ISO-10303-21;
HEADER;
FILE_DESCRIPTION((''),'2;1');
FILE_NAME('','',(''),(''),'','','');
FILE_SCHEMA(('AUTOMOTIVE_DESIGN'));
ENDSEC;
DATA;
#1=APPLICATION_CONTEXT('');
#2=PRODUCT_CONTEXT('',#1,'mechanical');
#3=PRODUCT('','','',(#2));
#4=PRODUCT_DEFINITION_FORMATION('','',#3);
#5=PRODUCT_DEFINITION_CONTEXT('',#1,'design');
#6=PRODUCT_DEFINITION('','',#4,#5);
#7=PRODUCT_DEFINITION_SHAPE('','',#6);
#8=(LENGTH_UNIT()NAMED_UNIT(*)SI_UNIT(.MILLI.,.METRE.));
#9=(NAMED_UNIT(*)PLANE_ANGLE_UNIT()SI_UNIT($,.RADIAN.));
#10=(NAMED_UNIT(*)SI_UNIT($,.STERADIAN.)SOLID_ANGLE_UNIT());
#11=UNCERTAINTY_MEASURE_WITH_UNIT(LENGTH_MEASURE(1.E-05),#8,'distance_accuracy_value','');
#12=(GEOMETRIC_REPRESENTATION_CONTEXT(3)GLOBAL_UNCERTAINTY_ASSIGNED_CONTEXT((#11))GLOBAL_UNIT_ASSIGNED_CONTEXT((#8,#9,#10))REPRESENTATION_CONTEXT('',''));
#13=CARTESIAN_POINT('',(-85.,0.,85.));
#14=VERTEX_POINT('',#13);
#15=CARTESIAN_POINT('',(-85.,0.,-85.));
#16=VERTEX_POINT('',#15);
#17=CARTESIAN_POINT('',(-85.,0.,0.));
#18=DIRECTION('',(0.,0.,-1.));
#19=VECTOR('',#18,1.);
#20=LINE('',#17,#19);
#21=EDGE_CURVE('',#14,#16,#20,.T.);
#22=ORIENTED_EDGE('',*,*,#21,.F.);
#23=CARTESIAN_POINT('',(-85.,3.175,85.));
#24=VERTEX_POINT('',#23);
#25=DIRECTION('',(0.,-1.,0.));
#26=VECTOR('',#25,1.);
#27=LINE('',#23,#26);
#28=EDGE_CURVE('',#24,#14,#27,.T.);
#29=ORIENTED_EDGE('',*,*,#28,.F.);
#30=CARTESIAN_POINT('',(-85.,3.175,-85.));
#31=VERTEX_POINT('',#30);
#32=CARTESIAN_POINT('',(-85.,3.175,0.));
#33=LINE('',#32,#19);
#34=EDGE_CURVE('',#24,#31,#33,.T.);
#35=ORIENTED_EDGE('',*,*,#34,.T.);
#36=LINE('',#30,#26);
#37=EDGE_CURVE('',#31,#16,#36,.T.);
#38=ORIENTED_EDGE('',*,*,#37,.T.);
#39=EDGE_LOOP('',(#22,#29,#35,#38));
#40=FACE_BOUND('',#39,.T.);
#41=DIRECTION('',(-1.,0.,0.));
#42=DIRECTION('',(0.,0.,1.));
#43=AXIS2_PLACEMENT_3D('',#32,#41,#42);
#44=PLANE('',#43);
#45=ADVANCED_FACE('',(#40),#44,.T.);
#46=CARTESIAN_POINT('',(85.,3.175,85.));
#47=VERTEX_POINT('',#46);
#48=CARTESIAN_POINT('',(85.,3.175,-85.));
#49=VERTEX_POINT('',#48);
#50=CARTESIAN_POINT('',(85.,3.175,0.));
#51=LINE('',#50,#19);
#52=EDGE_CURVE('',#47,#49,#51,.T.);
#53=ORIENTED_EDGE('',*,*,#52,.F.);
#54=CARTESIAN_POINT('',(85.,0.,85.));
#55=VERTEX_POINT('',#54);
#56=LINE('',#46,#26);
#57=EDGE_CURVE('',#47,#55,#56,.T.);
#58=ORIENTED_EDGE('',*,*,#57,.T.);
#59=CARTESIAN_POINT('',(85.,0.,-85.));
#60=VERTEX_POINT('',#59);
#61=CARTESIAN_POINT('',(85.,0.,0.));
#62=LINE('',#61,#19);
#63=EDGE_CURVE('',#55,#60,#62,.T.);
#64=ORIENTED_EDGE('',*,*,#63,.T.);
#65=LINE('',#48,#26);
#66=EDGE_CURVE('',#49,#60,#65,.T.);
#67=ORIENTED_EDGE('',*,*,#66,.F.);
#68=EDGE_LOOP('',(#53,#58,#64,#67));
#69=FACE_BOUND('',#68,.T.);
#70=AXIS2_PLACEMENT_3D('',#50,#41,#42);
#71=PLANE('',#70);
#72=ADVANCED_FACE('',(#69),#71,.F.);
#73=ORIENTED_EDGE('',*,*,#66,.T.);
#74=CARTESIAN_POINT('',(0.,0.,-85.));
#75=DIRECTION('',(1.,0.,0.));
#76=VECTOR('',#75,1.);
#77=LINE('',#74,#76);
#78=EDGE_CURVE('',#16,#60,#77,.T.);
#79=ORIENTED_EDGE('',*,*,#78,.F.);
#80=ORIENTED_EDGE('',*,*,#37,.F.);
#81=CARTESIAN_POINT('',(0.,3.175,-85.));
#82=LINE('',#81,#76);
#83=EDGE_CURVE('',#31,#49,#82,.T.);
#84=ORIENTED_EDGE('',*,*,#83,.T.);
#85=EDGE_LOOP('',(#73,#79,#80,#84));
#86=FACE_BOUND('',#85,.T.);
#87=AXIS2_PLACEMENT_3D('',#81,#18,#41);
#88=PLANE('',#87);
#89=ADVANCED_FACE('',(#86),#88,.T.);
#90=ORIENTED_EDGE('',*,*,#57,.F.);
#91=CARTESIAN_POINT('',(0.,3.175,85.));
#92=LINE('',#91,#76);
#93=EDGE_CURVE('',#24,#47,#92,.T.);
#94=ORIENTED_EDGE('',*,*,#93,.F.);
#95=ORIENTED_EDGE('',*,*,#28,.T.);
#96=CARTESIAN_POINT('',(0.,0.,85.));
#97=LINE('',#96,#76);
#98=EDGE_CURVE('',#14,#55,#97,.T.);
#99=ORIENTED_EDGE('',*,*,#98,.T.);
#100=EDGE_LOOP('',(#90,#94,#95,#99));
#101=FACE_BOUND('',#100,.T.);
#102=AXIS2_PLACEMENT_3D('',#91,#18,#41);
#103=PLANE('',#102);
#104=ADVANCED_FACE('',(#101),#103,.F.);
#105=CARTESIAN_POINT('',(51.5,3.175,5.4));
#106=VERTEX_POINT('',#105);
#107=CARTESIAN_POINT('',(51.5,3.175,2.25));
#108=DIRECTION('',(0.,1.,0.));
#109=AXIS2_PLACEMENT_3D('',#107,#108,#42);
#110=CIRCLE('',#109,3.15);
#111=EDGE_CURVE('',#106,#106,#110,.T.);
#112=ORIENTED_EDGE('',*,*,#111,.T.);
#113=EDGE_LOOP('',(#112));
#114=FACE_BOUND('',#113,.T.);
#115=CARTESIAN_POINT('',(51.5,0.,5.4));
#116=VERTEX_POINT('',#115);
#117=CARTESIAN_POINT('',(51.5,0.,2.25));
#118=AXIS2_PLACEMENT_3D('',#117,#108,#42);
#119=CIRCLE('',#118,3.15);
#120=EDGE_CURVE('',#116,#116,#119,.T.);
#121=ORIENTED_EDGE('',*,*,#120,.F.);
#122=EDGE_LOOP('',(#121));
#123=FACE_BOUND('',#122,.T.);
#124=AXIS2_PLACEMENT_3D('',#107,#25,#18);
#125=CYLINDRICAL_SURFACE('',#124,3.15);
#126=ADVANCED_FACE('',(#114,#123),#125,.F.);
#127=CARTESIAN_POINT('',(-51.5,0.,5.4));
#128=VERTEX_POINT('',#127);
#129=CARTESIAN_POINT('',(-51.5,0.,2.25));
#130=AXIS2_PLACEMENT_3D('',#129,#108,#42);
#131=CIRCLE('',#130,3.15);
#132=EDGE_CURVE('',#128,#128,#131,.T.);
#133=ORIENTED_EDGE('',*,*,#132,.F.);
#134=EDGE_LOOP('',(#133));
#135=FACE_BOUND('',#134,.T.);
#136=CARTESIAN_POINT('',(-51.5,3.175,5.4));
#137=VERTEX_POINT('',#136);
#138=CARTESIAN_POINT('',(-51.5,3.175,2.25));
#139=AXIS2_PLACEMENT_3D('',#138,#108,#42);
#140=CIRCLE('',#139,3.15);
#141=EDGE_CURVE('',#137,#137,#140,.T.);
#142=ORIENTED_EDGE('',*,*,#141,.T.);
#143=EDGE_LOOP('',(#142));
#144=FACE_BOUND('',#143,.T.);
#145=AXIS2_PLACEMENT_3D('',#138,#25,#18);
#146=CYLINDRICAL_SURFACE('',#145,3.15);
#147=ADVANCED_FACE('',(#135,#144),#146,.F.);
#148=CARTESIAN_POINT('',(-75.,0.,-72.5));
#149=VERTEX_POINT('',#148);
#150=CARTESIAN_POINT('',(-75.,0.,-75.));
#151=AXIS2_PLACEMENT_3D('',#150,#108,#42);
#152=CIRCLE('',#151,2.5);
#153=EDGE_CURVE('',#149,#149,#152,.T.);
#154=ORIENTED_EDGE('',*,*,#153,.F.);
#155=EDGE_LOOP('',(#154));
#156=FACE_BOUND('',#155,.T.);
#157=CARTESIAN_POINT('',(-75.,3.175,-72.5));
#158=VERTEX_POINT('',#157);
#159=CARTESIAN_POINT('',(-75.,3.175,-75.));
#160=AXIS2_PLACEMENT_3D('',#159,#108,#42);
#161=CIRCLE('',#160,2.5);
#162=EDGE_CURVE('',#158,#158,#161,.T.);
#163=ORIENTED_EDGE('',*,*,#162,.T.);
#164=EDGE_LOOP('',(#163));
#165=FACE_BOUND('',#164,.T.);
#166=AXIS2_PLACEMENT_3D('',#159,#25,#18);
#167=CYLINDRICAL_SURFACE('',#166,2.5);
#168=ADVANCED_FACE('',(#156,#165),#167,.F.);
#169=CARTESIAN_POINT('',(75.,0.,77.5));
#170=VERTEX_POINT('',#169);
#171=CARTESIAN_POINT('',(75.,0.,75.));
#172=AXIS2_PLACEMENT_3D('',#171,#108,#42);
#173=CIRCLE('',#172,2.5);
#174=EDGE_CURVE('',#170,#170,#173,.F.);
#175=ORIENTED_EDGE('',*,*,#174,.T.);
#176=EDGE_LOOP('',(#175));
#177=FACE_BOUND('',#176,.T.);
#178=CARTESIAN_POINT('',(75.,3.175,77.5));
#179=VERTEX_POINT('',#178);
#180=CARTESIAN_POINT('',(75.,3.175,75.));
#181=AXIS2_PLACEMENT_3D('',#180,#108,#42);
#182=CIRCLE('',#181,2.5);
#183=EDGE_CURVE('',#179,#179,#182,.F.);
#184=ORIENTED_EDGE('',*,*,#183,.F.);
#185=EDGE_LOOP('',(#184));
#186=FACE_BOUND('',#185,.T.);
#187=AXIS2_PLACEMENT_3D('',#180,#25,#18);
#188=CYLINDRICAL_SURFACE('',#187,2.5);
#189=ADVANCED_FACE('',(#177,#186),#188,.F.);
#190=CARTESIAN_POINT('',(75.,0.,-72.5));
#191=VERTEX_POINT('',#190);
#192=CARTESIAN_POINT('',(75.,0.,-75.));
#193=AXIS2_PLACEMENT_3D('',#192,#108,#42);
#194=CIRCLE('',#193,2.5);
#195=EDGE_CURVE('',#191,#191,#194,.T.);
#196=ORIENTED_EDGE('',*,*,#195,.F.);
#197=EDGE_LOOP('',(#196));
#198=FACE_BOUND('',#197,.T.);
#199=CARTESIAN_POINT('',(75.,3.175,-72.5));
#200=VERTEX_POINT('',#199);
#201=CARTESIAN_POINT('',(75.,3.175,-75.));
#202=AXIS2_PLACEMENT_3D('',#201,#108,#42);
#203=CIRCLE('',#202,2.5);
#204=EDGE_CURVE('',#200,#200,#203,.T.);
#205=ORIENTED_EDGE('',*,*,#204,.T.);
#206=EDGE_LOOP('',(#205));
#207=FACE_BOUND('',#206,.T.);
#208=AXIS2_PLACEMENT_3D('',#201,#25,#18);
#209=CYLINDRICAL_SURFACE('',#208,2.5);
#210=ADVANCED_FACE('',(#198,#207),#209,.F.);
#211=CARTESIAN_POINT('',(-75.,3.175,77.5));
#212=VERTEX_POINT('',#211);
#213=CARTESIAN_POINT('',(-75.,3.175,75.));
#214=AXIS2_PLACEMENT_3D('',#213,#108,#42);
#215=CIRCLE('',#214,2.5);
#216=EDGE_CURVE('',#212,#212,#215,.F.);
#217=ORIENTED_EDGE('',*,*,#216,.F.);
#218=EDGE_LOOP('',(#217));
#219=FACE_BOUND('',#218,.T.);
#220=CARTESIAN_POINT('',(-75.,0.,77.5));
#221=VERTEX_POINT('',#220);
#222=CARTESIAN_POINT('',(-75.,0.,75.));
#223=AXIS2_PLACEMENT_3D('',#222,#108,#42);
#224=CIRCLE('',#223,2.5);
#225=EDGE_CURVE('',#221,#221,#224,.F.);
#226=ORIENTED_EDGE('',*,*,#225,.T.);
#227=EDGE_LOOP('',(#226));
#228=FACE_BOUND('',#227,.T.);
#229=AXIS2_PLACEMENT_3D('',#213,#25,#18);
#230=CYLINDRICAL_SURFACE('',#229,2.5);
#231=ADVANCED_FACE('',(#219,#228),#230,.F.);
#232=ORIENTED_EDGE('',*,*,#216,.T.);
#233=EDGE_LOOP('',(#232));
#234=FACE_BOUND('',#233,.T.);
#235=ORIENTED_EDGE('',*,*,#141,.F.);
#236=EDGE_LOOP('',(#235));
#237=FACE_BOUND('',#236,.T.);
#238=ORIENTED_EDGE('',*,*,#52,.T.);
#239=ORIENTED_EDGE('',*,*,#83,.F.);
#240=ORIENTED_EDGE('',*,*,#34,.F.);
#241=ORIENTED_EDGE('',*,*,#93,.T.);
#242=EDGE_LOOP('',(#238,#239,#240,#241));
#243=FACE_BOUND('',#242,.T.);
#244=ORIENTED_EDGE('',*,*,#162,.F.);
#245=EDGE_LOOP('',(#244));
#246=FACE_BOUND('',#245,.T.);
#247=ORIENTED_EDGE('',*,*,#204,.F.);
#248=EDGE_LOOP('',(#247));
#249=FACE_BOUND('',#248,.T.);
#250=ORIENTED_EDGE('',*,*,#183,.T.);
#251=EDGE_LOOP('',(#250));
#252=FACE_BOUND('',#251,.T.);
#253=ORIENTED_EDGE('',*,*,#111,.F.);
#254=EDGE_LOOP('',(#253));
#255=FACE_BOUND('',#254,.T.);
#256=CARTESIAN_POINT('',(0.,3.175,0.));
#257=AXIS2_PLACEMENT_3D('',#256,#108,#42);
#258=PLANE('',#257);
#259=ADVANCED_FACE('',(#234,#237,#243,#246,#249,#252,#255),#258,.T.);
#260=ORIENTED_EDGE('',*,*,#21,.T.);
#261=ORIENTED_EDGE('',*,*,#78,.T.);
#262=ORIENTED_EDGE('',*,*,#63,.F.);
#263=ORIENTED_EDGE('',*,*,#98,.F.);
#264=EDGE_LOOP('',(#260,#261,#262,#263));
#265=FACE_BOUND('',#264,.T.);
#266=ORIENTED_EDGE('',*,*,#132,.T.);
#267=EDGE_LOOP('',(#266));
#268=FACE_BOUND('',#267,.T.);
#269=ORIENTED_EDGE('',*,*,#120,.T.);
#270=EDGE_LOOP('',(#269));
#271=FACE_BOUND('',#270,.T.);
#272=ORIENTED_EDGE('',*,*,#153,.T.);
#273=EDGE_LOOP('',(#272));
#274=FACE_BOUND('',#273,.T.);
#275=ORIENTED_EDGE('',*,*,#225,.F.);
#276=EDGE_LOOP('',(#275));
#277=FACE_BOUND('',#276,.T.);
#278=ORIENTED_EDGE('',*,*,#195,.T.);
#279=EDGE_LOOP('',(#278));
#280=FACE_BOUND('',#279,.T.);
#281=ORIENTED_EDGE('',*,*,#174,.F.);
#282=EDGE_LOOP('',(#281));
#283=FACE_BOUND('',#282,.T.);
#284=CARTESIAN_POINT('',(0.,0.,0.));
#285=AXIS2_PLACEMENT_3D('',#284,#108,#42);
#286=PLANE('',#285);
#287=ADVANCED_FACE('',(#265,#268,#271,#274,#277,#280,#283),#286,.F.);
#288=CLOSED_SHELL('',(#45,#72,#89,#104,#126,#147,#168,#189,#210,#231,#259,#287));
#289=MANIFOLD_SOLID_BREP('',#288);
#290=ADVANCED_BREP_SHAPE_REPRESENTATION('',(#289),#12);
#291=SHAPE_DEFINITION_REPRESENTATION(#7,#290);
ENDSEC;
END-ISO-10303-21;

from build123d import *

# Parameters (mm, degrees)
SKETCH1_W           = 170
SKETCH1_H           = 170
SKETCH1_R           = 2.5
SKETCH1_W_2         = 117
SKETCH1_H_2         = 122.5
SKETCH1_R_2         = 3.15
BOSS_EXTRUDE1_DEPTH = 3.175


with BuildPart() as part:
    # Sketch1 → Boss-Extrude1 (new body)
    # profile 1 of 2: a face of its own
    with BuildSketch(Plane(origin=(0, 0, 0), x_dir=(1, 0, 0), z_dir=(0, 1, 0))):
        Rectangle(SKETCH1_W, SKETCH1_H)
        with Locations(Location((75, -75, 0), (0, 0, 270))):
            Circle(SKETCH1_R, mode=Mode.SUBTRACT)
        with Locations(Location((75, 75, 0), (0, 0, 270))):
            Circle(SKETCH1_R, mode=Mode.SUBTRACT)
        with Locations(Location((-75, 75, 0), (0, 0, 270))):
            Circle(SKETCH1_R, mode=Mode.SUBTRACT)
        with Locations(Location((-75, -75, 0), (0, 0, 270))):
            Circle(SKETCH1_R, mode=Mode.SUBTRACT)
        Rectangle(SKETCH1_W_2, SKETCH1_H_2, mode=Mode.SUBTRACT)
    # profile 2 of 2: a face of its own
    with BuildSketch(Plane(origin=(0, 0, 0), x_dir=(1, 0, 0), z_dir=(0, 1, 0))):
        Rectangle(SKETCH1_W_2, SKETCH1_H_2)
        with Locations(Location((51.5, -2.25, 0), (0, 0, 270))):
            Circle(SKETCH1_R_2, mode=Mode.SUBTRACT)
        with Locations(Location((-51.5, -2.25, 0), (0, 0, 270))):
            Circle(SKETCH1_R_2, mode=Mode.SUBTRACT)
    extrude(amount=BOSS_EXTRUDE1_DEPTH)


solid = part.part
